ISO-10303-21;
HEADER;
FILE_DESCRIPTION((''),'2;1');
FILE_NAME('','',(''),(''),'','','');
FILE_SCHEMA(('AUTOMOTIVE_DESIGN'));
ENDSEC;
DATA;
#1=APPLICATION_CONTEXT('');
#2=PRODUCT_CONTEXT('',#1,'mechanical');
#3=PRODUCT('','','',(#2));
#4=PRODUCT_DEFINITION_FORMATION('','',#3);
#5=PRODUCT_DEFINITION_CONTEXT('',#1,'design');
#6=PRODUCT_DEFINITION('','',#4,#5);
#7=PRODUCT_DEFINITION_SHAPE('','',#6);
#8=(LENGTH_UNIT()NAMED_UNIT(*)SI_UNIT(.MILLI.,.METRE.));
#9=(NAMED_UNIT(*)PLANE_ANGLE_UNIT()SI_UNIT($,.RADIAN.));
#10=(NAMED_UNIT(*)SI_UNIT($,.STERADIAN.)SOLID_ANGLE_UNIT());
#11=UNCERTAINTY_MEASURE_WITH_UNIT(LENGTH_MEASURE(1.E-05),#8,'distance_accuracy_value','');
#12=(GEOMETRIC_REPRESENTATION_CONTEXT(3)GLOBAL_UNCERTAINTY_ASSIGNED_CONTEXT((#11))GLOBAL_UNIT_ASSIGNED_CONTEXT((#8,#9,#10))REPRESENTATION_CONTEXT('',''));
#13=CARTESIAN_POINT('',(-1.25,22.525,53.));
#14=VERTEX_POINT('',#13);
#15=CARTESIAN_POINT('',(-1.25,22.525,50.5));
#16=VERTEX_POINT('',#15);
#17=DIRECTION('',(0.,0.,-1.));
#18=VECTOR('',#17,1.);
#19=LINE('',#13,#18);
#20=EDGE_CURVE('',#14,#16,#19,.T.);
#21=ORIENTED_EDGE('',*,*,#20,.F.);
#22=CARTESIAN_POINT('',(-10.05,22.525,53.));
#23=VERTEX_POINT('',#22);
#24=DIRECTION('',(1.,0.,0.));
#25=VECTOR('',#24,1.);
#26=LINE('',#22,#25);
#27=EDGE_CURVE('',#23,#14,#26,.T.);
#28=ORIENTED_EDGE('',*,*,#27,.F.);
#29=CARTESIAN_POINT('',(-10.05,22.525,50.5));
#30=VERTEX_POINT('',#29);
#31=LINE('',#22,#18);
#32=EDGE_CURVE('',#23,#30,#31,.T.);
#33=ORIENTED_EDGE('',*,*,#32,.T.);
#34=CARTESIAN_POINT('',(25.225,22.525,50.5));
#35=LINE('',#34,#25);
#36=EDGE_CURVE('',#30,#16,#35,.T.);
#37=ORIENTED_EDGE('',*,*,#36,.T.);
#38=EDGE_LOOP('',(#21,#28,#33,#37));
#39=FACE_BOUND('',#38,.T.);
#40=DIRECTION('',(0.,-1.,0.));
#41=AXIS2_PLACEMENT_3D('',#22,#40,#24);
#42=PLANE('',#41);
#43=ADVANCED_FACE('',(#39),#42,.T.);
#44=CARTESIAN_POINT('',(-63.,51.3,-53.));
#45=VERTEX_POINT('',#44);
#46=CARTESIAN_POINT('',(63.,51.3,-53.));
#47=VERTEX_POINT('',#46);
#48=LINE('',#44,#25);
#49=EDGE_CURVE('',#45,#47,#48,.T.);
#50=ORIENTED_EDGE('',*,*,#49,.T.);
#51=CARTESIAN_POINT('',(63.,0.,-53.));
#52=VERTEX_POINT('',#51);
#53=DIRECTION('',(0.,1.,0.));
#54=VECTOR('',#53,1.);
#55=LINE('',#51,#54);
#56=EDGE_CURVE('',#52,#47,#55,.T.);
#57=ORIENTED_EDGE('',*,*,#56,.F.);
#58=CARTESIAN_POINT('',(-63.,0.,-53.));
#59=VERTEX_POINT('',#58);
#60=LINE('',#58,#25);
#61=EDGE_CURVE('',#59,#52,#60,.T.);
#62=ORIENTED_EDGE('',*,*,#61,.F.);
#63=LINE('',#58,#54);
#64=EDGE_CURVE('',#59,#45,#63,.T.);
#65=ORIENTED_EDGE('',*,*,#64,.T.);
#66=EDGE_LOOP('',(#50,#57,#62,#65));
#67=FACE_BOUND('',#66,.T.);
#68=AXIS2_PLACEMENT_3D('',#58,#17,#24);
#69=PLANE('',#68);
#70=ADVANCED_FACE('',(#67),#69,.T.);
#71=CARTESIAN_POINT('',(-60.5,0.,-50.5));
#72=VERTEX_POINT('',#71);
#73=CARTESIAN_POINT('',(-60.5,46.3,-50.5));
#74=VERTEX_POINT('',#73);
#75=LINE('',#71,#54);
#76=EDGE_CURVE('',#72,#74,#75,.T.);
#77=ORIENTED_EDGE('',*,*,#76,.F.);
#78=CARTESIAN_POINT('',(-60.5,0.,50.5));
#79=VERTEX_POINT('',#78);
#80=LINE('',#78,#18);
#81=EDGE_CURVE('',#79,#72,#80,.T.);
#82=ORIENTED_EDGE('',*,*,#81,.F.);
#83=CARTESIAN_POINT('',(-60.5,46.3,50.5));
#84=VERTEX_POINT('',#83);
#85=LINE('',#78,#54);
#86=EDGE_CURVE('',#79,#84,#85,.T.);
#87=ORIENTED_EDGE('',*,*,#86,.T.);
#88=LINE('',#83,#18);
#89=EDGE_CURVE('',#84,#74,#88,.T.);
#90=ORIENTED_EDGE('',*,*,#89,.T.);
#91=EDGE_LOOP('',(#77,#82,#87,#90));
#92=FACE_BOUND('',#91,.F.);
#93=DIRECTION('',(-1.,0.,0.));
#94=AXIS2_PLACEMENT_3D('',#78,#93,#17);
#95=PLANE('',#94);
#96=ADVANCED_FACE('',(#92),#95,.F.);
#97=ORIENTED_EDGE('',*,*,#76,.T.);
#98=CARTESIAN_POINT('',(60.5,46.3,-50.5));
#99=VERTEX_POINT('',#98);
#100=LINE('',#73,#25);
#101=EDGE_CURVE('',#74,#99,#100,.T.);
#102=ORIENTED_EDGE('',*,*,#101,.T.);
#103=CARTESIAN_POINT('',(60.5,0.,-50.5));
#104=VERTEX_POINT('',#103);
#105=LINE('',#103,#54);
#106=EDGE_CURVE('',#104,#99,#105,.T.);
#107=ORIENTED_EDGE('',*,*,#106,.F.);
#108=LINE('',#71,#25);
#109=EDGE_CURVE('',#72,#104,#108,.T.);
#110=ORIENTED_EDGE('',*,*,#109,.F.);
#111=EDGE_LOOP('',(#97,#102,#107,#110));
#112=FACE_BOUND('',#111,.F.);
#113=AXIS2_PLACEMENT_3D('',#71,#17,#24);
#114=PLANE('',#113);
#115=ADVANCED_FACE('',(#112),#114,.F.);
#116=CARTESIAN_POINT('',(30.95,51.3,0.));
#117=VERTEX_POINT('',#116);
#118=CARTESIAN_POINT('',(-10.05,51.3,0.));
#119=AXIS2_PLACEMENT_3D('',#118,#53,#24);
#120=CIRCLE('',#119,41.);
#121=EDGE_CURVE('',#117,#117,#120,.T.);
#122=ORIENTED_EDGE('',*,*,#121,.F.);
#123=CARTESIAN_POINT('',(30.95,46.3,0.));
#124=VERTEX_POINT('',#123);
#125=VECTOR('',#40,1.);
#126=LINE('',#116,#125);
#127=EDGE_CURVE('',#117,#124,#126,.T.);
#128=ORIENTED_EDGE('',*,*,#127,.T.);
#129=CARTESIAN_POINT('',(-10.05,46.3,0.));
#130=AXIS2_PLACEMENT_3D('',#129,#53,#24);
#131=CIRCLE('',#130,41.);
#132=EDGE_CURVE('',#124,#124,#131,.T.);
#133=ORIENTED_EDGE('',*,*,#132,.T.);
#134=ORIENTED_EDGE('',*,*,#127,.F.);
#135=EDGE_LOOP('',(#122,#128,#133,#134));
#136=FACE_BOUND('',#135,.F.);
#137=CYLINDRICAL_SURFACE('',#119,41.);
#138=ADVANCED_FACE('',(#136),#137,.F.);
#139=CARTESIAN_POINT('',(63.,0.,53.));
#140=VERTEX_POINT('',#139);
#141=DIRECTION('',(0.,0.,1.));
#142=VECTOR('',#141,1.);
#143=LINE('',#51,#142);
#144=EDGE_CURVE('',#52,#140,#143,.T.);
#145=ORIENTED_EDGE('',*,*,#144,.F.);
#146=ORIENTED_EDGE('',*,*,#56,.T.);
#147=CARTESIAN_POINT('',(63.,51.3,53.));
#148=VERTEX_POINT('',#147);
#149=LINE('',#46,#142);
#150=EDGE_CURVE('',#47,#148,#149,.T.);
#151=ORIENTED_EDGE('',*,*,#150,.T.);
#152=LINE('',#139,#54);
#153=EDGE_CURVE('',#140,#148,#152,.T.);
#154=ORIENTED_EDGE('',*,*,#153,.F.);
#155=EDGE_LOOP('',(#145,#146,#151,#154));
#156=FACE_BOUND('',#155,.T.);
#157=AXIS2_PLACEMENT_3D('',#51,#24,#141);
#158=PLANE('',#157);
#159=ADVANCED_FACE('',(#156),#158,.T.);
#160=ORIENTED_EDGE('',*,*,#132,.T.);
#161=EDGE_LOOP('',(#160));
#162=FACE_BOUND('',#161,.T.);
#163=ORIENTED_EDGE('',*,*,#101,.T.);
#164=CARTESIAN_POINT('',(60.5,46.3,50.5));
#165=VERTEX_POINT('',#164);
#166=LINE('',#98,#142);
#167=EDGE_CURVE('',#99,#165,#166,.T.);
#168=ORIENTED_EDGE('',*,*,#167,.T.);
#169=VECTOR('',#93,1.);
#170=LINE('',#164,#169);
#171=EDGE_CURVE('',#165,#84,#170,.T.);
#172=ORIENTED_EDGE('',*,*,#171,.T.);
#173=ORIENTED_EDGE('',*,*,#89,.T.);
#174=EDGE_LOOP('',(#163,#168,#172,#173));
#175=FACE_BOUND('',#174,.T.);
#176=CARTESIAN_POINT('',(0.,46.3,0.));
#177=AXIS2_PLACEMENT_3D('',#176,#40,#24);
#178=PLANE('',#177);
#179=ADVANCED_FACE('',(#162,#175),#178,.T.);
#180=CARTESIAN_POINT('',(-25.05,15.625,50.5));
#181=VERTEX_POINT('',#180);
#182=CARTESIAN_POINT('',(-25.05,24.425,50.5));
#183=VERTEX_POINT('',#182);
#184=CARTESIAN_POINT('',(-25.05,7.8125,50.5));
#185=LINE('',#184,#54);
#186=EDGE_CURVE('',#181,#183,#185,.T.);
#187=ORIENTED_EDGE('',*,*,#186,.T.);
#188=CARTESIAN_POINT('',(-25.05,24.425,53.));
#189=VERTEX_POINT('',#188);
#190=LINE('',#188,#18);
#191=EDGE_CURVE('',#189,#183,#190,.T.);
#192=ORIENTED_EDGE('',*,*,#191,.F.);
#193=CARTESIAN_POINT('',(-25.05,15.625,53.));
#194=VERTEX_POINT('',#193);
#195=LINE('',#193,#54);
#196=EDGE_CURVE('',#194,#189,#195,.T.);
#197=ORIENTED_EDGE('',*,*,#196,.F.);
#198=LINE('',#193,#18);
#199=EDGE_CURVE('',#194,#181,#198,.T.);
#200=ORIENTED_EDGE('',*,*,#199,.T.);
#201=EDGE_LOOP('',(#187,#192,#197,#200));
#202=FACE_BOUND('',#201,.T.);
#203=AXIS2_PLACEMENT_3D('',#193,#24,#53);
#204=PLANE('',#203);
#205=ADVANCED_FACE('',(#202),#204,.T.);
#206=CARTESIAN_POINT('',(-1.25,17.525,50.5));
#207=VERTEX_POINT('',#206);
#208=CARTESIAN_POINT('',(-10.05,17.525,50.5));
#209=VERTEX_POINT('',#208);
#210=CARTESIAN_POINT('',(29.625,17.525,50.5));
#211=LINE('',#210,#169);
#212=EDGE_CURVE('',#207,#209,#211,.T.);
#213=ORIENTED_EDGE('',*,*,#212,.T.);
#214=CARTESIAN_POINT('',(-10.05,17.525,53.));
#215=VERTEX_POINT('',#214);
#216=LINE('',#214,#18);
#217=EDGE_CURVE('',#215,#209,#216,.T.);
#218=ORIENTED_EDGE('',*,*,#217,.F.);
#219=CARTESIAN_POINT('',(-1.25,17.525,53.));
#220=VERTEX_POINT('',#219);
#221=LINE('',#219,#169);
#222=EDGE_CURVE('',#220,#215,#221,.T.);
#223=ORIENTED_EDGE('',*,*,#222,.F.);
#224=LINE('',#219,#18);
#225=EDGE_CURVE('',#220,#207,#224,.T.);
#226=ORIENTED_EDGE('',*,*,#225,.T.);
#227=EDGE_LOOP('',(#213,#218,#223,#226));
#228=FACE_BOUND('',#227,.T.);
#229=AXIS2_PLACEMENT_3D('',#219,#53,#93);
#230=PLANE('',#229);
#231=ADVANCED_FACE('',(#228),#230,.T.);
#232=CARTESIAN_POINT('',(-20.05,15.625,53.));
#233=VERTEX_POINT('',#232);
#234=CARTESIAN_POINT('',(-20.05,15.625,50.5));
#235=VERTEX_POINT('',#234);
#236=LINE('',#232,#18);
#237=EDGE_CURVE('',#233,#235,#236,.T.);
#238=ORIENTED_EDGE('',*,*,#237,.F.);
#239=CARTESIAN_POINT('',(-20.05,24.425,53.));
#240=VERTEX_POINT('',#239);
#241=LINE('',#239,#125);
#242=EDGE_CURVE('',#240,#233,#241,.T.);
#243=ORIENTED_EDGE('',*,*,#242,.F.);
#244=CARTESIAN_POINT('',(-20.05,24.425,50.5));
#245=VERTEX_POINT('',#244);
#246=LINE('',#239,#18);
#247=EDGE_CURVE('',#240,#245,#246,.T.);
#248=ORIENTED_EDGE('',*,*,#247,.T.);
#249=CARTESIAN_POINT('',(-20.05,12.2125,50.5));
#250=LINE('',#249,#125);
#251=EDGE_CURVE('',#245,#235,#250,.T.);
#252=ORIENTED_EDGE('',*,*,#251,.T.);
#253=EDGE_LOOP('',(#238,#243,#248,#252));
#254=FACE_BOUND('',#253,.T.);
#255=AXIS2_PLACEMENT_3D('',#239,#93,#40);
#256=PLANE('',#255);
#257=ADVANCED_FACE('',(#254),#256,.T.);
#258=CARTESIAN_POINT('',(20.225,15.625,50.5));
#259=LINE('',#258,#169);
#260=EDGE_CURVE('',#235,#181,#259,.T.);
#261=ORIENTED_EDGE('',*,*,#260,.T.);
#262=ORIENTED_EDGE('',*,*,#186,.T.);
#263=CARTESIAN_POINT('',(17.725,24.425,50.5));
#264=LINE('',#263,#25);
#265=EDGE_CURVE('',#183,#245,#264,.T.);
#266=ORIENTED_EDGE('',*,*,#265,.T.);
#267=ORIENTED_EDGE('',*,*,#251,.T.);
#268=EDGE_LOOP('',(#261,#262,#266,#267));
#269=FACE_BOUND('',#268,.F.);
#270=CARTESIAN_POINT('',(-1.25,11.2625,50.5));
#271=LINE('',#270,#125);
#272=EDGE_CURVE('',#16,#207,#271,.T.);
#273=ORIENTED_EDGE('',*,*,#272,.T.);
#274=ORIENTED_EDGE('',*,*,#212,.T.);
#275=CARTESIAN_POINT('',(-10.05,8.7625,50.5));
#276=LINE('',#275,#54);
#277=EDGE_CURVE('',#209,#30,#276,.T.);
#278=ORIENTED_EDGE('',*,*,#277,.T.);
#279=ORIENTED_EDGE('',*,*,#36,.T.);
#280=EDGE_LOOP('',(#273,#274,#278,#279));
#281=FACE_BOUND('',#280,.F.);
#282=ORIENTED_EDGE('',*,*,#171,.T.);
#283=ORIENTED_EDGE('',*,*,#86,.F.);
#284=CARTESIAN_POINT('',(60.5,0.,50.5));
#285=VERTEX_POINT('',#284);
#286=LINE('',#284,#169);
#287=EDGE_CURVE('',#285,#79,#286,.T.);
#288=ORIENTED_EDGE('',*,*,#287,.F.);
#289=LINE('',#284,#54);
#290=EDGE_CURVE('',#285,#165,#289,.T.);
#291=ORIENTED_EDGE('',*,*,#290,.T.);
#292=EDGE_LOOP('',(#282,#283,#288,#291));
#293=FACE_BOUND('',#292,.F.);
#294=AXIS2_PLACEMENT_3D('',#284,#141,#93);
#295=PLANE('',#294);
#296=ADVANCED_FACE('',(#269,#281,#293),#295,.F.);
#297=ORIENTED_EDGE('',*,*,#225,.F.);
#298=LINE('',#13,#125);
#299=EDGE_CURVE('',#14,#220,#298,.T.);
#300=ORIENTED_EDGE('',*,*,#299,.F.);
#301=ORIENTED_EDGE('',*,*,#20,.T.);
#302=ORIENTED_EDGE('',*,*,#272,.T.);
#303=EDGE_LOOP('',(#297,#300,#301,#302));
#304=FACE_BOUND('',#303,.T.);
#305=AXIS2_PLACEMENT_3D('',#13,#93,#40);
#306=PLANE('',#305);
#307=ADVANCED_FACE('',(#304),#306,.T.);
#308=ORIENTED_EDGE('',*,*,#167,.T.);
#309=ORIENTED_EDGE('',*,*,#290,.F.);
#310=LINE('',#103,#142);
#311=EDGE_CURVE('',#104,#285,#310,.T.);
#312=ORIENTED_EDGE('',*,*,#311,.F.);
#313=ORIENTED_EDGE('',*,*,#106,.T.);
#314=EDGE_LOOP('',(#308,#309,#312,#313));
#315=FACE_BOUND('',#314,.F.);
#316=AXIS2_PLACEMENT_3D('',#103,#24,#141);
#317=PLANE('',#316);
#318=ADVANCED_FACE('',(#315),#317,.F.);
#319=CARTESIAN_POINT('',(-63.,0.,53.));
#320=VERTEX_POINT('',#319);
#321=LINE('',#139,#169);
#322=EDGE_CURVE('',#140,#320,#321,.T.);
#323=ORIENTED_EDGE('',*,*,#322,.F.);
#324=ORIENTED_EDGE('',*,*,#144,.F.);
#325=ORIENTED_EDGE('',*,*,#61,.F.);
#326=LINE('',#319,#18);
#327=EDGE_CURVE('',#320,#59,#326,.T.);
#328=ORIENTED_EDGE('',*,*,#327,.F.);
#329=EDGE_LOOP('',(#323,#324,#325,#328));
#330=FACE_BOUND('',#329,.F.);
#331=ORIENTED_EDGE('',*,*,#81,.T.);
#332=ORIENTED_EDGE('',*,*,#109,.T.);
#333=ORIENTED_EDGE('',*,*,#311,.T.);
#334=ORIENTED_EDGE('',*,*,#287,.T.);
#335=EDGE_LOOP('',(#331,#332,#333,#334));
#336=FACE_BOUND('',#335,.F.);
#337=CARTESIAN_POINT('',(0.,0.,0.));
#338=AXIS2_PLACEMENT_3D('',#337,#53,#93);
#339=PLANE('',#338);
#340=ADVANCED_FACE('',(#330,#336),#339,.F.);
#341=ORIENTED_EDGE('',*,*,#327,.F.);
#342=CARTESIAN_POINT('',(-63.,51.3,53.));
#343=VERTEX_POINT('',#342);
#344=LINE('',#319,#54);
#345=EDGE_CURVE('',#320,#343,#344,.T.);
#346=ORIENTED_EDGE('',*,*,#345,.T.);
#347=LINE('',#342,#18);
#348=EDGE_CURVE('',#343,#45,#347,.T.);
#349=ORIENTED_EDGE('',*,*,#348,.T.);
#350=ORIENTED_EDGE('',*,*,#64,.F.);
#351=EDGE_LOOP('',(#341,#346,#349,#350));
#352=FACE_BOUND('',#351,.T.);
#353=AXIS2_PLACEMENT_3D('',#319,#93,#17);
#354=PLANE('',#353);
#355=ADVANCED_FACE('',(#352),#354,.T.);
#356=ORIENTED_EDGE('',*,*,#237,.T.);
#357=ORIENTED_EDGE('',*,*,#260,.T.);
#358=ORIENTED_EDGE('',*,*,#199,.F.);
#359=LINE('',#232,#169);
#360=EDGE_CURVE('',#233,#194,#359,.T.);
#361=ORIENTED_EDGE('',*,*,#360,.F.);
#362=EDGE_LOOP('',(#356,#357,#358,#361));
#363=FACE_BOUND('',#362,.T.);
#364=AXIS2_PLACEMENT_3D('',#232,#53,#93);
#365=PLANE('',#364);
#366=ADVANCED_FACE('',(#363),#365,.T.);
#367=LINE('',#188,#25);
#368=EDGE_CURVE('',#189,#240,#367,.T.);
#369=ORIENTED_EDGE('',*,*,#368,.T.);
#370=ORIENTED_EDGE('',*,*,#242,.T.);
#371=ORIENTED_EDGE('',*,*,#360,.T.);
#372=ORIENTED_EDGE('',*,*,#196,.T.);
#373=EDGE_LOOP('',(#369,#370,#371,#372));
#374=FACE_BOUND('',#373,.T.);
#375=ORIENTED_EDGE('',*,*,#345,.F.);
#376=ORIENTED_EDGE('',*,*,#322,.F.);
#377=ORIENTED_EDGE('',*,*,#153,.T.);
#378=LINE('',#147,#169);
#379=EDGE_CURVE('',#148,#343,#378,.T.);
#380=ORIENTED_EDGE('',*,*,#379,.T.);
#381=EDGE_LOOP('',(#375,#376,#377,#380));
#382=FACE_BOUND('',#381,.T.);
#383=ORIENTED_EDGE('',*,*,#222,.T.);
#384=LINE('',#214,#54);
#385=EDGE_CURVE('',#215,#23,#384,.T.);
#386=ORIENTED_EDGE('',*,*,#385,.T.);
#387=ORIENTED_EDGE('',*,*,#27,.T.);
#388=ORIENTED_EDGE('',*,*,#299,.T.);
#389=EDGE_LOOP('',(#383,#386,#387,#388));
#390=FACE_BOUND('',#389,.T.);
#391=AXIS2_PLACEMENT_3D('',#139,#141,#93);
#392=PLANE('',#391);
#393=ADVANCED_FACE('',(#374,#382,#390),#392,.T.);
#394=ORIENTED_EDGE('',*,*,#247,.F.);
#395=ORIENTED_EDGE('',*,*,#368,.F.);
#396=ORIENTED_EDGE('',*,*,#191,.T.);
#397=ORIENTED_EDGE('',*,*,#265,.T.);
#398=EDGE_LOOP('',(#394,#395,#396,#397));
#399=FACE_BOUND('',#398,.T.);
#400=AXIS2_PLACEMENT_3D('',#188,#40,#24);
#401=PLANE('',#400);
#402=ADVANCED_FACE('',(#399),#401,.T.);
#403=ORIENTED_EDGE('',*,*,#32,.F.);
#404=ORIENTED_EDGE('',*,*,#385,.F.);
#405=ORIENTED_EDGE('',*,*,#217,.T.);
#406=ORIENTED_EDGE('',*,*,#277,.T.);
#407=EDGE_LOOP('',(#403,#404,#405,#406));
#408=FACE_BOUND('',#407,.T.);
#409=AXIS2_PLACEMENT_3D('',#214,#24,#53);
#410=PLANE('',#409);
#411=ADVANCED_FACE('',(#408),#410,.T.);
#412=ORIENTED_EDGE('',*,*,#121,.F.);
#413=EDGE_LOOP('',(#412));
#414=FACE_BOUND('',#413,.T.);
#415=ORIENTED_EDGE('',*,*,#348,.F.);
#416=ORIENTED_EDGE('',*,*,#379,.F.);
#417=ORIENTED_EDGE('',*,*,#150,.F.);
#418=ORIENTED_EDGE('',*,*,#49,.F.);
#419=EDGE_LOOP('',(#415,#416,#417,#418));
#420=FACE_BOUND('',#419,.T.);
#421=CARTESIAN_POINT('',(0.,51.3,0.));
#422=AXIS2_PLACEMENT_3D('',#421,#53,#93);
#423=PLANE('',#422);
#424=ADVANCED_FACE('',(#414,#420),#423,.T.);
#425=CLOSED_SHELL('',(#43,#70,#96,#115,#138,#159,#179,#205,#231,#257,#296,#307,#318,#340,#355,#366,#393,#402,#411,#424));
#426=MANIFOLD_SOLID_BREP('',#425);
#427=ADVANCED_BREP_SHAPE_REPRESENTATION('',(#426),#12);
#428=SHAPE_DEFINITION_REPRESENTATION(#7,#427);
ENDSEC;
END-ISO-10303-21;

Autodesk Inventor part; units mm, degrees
ref_plane "YZ Plane" through (0, 0, 0) normal (1, 0, 0) x (0, 1, 0)
ref_plane "XZ Plane" through (0, 0, 0) normal (0, 1, 0) x (-1, 0, 0)
ref_plane "XY Plane" through (0, 0, 0) normal (0, 0, 1) x (1, 0, 0)
sketch "Sketch1" plane through (0, 0, 0) normal (0, 1, 0) x (-1, 0, 0)
  line L0 (63, -53) -> (-63, -53)
  line L1 (-63, -53) -> (-63, 53)
  line L2 (-63, 53) -> (63, 53)
  line L3 (63, 53) -> (63, -53)
  point P0 (0, 0)
  point P1 (63, 0)
  point P2 (0, -53)
  dimension "d0" = 126
  dimension "d1" = 106
extrude "Extrusion1" add sketch "Sketch1" along normal blind 51.3
sketch "Sketch2" plane through (0, 0, 0) normal (0, -1, 0) x (1, 0, 0)
  line L0 (60.5, 50.5) -> (-60.5, 50.5)
  line L1 (-60.5, 50.5) -> (-60.5, -50.5)
  line L2 (-60.5, -50.5) -> (60.5, -50.5)
  line L3 (60.5, -50.5) -> (60.5, 50.5)
  line L4 (63, 53) -> (63, -53) projected
  line L5 (-63, 53) -> (63, 53) projected
  point P0 (0, 0)
  point P1 (60.5, 0)
  point P2 (0, 50.5)
  dimension "d8" = 2.5
  dimension "d9" = 2.5
extrude "Extrusion2" cut sketch "Sketch2" against normal blind 46.3
sketch "Sketch3" plane through (0, 51.3, 0) normal (0, 1, 0) x (1, 0, 0)
  circle A0 centre (-10.05, 0) radius 41
  line L0 (63, -53) -> (63, 53) projected
  point P0 (0, 0)
  point P1 (63, 0)
  dimension "d12" = 82
  dimension "d13" = 73.05
extrude "Extrusion3" cut sketch "Sketch3" against normal blind 46.3
sketch "Sketch4" plane through (-63, 0, 53) normal (0, 0, 1) x (1, 0, 0)
  line L0 (37.95, 24.425) -> (42.95, 24.425)
  line L1 (42.95, 24.425) -> (42.95, 15.625)
  line L2 (42.95, 15.625) -> (37.95, 15.625)
  line L3 (37.95, 15.625) -> (37.95, 24.425)
  line L4 (0, 0) -> (126, 0) projected
  line L5 (0, 0) -> (0, 51.3) projected
  line L6 (52.95, 22.525) -> (61.75, 22.525)
  line L7 (61.75, 22.525) -> (61.75, 17.525)
  line L8 (61.75, 17.525) -> (52.95, 17.525)
  line L9 (52.95, 17.525) -> (52.95, 22.525)
  point P0 (63, 0)
  point P1 (57.35, 17.525)
  point P2 (40.45, 15.625)
  point P3 (42.95, 20.025)
  point P4 (52.95, 20.025)
  dimension "d16" = 5
  dimension "d17" = 8.8
  dimension "d18" = 15.625
  dimension "d19" = 37.95
  dimension "d20" = 8.8
  dimension "d21" = 5
  dimension "d22" = 10
extrude "Extrusion4" cut sketch "Sketch4" against normal blind 10
equation "\"d20\" = d17"
equation "\"d21\" = d16"
properties part number "Bottom_Cover"
